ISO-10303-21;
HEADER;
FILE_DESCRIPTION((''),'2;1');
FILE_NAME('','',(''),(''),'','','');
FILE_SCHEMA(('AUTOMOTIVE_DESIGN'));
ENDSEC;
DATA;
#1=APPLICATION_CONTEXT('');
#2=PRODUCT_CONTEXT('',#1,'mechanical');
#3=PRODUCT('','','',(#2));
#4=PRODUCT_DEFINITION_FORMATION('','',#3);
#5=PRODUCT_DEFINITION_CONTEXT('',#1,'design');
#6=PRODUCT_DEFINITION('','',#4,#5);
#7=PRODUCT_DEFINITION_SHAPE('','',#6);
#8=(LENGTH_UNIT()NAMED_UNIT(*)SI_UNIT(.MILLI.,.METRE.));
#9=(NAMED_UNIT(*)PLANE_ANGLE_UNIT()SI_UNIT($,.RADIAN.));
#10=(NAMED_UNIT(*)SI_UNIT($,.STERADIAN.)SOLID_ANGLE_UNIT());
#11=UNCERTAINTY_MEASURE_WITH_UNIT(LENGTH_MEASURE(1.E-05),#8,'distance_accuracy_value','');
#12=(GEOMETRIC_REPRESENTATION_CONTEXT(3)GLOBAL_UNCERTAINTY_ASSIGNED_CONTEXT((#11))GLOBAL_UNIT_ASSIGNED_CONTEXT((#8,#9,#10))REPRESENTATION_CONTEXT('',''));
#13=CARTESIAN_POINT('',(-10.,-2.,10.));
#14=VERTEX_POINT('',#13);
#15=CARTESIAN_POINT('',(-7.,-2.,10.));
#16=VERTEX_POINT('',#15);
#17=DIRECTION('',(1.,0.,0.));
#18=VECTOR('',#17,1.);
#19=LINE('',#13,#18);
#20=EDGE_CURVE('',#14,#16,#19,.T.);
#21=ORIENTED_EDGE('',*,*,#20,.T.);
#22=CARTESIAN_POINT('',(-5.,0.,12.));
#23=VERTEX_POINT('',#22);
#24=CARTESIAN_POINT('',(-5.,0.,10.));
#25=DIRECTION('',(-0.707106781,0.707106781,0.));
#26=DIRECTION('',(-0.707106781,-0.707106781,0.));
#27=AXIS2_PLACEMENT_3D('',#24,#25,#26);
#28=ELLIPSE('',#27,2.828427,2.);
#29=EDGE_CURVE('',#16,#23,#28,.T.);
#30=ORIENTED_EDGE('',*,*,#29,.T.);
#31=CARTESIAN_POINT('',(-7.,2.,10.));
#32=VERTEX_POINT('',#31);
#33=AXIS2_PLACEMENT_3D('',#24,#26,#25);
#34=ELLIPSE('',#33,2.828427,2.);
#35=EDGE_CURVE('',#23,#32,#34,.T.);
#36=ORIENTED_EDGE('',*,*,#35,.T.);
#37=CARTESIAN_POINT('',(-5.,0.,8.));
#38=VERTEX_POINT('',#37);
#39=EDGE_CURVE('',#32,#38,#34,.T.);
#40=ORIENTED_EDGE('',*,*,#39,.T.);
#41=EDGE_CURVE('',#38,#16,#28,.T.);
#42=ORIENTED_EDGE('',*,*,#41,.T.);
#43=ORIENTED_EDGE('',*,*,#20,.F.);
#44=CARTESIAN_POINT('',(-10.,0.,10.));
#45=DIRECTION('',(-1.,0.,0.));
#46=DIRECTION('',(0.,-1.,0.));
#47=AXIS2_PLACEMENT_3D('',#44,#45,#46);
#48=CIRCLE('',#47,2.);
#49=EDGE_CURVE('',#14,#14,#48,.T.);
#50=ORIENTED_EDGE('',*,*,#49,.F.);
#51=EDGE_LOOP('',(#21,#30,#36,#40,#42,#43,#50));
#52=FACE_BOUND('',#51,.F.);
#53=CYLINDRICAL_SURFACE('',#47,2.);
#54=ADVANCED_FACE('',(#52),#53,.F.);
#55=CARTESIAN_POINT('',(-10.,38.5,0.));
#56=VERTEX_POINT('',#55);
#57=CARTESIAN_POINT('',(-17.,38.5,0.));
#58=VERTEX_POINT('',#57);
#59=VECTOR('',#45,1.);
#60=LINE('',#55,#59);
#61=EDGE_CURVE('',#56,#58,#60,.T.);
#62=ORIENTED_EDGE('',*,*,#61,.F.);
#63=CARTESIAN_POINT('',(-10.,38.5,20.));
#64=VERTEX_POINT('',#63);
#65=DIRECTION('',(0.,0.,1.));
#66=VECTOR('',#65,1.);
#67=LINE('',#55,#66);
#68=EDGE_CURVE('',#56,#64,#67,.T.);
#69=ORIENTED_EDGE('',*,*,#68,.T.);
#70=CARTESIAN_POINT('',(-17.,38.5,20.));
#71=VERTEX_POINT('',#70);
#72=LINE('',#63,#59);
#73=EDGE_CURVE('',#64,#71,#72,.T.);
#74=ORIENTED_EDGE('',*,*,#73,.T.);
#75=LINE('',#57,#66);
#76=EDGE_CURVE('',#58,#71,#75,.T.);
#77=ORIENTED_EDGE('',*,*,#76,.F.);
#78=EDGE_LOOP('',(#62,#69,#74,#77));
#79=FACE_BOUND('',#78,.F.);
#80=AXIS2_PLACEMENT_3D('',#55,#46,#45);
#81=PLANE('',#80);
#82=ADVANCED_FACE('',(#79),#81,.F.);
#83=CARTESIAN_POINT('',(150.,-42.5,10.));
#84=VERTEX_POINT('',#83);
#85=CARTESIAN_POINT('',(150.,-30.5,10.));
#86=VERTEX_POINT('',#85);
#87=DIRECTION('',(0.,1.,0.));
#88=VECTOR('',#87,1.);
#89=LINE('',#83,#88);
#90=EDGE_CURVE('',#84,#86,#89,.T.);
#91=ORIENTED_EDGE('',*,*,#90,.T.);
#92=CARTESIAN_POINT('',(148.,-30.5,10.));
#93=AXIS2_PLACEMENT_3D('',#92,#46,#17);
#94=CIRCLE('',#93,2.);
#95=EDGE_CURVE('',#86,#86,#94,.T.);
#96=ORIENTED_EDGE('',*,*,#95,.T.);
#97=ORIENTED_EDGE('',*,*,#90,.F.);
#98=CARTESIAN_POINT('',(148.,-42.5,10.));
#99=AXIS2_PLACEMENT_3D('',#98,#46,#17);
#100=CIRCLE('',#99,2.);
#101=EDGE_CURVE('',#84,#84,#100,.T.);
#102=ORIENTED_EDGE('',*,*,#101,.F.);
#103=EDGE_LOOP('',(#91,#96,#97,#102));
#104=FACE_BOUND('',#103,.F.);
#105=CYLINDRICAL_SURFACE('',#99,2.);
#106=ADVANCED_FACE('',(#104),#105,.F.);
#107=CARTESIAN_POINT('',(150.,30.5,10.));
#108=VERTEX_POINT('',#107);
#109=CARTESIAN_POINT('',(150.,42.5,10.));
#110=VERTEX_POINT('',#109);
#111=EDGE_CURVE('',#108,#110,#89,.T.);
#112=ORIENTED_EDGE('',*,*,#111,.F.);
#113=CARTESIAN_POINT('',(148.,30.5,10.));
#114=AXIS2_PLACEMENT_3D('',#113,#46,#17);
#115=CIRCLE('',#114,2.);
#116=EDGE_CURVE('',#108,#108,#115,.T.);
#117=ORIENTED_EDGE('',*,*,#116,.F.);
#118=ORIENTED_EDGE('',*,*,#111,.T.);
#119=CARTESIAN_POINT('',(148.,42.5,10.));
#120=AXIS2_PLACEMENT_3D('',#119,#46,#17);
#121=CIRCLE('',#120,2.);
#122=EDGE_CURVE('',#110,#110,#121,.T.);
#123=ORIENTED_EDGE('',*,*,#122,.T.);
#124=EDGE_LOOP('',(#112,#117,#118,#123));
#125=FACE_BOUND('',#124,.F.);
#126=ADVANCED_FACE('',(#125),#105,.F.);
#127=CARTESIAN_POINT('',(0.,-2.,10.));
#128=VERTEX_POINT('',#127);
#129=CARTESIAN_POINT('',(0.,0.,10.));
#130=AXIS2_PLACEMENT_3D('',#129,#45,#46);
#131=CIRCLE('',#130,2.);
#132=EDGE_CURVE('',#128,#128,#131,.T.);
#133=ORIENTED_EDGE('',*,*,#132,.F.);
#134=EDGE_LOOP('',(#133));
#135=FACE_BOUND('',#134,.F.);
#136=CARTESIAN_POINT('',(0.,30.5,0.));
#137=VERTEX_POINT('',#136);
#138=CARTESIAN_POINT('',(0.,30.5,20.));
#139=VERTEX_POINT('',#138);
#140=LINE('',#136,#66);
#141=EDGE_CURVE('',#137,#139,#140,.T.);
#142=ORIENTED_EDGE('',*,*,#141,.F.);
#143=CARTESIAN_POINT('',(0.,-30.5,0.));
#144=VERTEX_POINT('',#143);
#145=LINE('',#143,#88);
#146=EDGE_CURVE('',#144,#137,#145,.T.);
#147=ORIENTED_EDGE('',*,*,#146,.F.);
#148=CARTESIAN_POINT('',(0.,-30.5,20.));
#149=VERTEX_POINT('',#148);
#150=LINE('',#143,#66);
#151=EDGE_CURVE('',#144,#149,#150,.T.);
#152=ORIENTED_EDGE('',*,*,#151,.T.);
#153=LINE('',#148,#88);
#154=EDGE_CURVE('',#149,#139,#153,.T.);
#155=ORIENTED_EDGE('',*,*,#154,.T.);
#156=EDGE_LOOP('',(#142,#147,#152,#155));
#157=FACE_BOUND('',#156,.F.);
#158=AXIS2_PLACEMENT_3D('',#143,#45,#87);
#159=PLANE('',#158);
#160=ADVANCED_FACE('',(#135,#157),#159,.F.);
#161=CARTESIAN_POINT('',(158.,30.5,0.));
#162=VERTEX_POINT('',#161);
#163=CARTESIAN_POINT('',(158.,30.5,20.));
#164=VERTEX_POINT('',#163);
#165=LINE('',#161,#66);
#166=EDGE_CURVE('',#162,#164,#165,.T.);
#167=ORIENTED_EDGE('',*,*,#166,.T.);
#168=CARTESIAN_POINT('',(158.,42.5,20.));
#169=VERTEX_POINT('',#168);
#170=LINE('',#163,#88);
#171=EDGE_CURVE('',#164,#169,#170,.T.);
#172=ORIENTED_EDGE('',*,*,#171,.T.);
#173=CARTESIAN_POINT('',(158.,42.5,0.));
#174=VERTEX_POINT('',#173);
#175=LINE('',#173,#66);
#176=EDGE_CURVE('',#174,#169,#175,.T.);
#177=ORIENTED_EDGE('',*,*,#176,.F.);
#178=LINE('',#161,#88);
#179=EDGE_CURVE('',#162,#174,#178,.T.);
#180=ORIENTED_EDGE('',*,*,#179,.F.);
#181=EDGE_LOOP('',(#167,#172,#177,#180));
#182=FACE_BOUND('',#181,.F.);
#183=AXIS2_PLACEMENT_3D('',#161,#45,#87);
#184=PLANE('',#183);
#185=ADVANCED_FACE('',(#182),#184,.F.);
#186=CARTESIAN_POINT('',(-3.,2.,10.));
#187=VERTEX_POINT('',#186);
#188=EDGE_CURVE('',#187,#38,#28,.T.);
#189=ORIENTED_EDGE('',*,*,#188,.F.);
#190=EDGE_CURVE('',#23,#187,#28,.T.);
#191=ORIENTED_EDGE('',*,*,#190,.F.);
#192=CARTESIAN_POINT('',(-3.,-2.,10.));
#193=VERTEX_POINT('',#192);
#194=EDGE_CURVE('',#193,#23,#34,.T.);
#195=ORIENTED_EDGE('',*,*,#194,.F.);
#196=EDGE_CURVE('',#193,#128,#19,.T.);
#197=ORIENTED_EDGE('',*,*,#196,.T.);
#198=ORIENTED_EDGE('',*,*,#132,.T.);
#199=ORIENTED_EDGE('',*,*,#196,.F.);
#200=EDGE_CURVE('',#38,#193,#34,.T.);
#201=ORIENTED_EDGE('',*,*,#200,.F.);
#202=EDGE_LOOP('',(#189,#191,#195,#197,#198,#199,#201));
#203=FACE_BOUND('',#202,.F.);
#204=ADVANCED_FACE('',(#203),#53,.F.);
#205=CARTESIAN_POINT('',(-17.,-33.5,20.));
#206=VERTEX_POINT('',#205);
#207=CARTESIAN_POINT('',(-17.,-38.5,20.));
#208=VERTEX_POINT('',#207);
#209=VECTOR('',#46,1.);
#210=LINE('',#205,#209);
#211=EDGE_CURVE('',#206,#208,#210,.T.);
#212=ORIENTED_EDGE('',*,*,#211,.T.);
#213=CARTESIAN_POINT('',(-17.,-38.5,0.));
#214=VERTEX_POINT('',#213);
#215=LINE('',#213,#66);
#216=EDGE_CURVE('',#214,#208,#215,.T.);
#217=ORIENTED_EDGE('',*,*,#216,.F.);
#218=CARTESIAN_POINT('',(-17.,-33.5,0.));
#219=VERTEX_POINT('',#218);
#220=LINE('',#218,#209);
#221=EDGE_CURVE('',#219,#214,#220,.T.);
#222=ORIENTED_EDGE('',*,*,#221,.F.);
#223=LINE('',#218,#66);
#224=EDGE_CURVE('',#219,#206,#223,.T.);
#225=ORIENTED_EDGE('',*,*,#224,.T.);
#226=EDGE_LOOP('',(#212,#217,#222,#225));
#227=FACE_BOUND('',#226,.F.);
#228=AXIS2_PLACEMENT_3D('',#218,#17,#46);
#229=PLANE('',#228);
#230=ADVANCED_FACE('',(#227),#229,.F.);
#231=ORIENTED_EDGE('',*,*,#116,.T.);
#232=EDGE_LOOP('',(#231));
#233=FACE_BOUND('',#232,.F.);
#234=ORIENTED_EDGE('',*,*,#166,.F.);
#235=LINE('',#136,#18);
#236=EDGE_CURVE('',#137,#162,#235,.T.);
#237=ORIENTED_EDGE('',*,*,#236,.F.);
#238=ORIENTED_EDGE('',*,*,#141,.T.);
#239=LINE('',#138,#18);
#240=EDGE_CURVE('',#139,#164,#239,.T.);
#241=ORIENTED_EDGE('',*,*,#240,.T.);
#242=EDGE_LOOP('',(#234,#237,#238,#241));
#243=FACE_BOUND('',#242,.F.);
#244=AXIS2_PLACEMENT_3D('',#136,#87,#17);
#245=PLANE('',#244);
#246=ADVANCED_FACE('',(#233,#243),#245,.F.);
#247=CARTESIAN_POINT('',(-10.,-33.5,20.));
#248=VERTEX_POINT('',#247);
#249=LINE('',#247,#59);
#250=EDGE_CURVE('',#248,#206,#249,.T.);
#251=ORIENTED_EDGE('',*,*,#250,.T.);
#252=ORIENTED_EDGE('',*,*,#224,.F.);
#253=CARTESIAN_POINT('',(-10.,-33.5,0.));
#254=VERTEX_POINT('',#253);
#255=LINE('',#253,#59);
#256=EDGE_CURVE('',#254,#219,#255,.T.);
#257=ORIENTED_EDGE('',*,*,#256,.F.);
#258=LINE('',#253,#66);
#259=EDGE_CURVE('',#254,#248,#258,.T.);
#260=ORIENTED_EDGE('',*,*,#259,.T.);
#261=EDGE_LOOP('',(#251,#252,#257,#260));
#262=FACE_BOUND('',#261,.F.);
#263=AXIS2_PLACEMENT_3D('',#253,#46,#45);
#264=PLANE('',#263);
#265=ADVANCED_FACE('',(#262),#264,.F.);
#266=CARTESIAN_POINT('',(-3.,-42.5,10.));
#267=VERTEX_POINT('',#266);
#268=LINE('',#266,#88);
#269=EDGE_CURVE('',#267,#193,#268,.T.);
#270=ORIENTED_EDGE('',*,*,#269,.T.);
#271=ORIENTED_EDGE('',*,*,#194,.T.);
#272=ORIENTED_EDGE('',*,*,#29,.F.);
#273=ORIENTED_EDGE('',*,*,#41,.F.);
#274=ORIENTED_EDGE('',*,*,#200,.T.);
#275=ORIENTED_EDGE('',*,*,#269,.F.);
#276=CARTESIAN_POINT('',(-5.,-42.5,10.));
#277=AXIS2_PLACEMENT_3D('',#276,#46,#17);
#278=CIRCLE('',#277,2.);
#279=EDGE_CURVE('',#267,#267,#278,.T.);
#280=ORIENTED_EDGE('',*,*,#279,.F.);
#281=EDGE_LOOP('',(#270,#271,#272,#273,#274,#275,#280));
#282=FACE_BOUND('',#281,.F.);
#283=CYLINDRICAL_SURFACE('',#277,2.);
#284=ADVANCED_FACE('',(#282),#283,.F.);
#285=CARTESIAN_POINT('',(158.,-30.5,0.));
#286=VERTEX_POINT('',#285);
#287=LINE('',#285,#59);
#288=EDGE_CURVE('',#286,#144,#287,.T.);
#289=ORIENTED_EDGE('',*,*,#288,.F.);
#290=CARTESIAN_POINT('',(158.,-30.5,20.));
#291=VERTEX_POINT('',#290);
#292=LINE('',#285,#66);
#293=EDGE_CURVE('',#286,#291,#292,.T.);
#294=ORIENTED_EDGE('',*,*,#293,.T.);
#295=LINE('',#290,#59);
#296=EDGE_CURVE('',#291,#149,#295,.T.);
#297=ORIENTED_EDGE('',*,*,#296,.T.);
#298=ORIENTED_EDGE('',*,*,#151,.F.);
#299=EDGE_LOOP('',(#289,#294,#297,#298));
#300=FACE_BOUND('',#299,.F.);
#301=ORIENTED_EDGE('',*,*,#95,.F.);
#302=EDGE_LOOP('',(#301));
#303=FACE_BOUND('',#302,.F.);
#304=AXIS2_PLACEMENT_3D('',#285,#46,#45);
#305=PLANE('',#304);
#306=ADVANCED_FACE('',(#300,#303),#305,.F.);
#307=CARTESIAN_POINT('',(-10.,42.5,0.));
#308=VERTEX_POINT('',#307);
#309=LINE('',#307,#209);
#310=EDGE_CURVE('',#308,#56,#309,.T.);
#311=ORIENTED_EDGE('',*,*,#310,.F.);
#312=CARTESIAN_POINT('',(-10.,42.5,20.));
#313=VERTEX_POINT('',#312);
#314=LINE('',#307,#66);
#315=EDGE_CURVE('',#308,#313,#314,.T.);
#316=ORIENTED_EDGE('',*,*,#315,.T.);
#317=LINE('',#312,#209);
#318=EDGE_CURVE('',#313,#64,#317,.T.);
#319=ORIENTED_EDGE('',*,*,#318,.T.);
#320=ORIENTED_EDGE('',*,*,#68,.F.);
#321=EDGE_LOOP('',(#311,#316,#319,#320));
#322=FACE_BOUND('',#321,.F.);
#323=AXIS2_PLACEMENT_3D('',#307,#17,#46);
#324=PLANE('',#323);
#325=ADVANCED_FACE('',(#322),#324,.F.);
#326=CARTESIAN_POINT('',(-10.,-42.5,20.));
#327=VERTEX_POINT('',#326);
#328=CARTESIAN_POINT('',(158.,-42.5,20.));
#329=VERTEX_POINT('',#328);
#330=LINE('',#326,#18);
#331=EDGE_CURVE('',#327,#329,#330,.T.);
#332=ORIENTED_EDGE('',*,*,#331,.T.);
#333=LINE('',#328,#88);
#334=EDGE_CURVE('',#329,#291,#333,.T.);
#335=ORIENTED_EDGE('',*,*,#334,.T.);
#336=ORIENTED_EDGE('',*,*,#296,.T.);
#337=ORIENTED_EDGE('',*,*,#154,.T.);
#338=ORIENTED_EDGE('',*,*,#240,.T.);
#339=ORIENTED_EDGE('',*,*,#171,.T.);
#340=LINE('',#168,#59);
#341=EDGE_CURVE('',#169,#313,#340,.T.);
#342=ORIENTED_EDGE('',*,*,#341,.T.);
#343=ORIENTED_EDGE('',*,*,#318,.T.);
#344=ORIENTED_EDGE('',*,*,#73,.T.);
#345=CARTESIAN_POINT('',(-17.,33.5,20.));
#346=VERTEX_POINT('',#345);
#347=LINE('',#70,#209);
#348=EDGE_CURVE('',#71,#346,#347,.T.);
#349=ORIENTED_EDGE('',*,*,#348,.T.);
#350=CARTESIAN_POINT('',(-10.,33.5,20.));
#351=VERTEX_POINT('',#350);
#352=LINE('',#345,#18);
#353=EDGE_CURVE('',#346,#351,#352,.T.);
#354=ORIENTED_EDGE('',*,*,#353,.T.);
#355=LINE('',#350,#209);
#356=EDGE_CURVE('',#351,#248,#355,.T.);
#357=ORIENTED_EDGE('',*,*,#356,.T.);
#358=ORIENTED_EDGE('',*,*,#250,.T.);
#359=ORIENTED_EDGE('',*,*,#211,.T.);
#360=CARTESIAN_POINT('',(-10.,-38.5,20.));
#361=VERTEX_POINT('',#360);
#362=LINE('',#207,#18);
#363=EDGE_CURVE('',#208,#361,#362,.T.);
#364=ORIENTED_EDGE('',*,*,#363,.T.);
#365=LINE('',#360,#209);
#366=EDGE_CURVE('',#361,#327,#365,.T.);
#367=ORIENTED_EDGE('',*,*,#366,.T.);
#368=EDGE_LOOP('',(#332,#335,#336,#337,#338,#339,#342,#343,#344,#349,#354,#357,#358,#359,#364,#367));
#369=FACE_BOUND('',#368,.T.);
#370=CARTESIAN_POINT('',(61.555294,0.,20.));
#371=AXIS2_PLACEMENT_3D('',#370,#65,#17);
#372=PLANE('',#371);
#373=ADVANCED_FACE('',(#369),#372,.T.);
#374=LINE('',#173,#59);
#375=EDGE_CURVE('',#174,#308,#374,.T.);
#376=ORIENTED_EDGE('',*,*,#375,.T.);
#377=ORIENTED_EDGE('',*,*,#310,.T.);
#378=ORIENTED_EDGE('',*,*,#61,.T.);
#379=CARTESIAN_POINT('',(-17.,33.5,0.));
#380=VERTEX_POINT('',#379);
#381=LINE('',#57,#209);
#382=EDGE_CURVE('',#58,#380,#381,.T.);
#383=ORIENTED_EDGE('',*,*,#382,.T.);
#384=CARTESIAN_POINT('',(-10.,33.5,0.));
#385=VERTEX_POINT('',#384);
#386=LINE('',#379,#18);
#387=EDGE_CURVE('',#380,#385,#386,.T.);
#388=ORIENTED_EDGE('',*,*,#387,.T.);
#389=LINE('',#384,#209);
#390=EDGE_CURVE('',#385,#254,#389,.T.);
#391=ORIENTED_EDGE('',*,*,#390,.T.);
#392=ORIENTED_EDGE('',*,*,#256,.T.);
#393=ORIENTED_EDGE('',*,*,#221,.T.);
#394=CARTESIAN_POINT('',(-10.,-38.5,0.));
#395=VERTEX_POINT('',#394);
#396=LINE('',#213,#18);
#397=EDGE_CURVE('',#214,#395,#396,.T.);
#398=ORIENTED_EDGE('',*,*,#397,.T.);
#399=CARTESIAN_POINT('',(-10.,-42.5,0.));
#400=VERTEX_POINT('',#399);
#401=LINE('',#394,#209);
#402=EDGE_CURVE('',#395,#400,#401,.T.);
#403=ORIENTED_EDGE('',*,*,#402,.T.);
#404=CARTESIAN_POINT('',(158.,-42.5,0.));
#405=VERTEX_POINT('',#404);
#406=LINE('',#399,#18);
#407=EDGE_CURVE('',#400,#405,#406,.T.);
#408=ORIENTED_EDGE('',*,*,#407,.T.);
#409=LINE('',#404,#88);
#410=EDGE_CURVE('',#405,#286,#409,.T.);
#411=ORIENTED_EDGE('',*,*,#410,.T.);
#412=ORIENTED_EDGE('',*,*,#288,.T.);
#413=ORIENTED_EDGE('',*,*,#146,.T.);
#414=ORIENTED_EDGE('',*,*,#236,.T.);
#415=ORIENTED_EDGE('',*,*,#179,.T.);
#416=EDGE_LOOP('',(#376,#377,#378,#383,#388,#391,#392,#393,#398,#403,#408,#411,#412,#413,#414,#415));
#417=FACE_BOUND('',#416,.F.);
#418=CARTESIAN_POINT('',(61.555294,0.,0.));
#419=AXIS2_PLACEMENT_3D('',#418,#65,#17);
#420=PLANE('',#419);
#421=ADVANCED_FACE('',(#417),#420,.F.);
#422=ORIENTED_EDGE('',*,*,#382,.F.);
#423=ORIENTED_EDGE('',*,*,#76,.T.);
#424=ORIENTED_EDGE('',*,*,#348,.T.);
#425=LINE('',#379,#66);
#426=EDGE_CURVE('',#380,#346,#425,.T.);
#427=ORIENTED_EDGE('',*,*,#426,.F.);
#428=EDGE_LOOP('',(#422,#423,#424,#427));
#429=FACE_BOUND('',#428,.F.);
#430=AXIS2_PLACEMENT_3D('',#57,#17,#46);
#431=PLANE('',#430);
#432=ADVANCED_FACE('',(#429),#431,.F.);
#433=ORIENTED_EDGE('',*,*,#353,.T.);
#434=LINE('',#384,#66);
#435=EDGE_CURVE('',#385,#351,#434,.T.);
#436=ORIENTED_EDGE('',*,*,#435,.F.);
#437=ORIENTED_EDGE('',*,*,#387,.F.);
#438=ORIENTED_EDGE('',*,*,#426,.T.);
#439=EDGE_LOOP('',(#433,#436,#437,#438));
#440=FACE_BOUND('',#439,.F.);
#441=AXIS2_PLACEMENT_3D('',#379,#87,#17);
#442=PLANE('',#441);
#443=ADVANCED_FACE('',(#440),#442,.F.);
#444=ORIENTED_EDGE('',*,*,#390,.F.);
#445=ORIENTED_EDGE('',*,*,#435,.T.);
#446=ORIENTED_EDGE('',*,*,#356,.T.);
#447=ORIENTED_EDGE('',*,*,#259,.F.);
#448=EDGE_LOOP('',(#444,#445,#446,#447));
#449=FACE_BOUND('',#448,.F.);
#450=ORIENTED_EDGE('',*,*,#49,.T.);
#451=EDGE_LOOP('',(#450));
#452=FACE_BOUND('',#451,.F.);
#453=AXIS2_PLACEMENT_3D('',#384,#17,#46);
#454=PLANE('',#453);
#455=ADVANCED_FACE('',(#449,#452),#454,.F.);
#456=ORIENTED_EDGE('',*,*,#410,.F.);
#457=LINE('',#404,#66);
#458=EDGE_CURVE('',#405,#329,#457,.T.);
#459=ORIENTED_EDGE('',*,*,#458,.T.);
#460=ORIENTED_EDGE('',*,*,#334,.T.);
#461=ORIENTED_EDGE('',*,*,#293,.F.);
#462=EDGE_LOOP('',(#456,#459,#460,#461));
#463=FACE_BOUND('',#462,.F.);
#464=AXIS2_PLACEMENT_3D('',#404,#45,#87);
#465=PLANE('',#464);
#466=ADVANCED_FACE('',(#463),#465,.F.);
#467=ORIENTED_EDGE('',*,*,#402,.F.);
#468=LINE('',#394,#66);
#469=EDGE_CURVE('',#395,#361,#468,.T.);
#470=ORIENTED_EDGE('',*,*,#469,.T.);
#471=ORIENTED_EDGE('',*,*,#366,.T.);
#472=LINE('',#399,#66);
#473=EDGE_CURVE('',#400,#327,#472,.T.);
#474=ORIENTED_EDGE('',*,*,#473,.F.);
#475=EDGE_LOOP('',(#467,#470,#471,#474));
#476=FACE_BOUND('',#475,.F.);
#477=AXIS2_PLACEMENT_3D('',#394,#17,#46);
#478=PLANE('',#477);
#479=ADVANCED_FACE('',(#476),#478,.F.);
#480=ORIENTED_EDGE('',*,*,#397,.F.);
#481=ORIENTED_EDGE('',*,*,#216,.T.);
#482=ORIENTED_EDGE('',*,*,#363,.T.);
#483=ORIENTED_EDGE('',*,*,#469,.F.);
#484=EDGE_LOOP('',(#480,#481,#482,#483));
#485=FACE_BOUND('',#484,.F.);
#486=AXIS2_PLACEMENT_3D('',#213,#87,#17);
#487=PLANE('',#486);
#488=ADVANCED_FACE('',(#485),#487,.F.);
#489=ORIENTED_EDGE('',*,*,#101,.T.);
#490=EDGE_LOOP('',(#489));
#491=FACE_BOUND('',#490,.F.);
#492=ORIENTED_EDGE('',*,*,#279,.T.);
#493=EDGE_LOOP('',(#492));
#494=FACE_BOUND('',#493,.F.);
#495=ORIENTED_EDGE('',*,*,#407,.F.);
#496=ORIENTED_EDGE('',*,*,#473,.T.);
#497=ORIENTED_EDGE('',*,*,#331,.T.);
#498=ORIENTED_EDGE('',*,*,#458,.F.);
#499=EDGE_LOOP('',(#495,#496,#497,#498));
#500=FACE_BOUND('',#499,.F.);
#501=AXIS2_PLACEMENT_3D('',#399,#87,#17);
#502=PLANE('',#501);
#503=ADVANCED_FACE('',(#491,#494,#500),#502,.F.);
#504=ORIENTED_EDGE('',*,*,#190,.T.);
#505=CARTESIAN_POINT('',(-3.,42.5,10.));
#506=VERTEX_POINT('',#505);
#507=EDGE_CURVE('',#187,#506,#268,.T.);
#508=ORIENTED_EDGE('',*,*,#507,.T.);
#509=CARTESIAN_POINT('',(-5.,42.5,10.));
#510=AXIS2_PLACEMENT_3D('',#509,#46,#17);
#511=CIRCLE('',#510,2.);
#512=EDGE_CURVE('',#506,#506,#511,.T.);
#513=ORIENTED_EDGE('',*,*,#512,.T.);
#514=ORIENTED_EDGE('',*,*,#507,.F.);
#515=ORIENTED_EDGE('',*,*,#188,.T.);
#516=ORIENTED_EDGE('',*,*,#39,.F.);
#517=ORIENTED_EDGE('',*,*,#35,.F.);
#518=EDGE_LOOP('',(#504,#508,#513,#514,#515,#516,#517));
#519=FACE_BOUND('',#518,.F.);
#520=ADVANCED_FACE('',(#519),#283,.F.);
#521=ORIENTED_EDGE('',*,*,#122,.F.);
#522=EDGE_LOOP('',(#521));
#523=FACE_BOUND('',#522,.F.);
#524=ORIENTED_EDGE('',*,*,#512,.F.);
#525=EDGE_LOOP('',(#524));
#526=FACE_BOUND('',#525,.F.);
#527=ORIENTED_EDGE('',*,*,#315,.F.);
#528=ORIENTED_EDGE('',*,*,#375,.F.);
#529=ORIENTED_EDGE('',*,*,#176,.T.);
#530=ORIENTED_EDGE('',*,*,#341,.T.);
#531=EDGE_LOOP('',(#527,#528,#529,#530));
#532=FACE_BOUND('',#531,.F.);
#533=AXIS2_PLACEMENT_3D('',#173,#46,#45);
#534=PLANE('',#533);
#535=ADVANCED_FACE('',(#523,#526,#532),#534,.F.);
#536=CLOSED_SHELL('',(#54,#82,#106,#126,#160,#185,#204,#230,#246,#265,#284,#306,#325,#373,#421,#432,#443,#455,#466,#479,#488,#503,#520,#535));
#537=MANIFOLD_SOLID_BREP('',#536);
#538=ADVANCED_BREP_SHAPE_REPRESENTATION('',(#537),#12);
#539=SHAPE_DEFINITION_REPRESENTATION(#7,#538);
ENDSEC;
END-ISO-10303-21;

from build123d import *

# Parameters (mm, degrees)
PAD_DEPTH       = 20
SKETCH004_R     = 2
POCKET002_DEPTH = 168.001
SKETCH005_R     = 2
POCKET003_DEPTH = 85.001


with BuildPart() as part:
    # Sketch → Pad (new body)
    with BuildSketch(Plane.XY):
        Polygon((-10, -42.5), (158, -42.5), (158, -30.5), (0, -30.5), (0, 30.5), (158, 30.5), (158, 42.5), (-10, 42.5), (-10, 38.5), (-17, 38.5), (-17, 33.5), (-10, 33.5), (-10, -33.5), (-17, -33.5), (-17, -38.5), (-10, -38.5), align=None)
    extrude(amount=PAD_DEPTH)

    # Sketch004 → Pocket002 (cut, through all)
    with BuildSketch(Plane(origin=(-10, 0, 0), x_dir=(0, -1, 0), z_dir=(-1, 0, 0))):
        with Locations((0, 10)):
            Circle(SKETCH004_R)
    extrude(amount=-POCKET002_DEPTH, mode=Mode.SUBTRACT)

    # Sketch005 → Pocket003 (cut, through all)
    with BuildSketch(Plane.XZ.offset(42.5)):
        with Locations((-5, 10)):
            Circle(SKETCH005_R)
        with Locations((148, 10)):
            Circle(SKETCH005_R)
    extrude(amount=-POCKET003_DEPTH, mode=Mode.SUBTRACT)


solid = part.part
